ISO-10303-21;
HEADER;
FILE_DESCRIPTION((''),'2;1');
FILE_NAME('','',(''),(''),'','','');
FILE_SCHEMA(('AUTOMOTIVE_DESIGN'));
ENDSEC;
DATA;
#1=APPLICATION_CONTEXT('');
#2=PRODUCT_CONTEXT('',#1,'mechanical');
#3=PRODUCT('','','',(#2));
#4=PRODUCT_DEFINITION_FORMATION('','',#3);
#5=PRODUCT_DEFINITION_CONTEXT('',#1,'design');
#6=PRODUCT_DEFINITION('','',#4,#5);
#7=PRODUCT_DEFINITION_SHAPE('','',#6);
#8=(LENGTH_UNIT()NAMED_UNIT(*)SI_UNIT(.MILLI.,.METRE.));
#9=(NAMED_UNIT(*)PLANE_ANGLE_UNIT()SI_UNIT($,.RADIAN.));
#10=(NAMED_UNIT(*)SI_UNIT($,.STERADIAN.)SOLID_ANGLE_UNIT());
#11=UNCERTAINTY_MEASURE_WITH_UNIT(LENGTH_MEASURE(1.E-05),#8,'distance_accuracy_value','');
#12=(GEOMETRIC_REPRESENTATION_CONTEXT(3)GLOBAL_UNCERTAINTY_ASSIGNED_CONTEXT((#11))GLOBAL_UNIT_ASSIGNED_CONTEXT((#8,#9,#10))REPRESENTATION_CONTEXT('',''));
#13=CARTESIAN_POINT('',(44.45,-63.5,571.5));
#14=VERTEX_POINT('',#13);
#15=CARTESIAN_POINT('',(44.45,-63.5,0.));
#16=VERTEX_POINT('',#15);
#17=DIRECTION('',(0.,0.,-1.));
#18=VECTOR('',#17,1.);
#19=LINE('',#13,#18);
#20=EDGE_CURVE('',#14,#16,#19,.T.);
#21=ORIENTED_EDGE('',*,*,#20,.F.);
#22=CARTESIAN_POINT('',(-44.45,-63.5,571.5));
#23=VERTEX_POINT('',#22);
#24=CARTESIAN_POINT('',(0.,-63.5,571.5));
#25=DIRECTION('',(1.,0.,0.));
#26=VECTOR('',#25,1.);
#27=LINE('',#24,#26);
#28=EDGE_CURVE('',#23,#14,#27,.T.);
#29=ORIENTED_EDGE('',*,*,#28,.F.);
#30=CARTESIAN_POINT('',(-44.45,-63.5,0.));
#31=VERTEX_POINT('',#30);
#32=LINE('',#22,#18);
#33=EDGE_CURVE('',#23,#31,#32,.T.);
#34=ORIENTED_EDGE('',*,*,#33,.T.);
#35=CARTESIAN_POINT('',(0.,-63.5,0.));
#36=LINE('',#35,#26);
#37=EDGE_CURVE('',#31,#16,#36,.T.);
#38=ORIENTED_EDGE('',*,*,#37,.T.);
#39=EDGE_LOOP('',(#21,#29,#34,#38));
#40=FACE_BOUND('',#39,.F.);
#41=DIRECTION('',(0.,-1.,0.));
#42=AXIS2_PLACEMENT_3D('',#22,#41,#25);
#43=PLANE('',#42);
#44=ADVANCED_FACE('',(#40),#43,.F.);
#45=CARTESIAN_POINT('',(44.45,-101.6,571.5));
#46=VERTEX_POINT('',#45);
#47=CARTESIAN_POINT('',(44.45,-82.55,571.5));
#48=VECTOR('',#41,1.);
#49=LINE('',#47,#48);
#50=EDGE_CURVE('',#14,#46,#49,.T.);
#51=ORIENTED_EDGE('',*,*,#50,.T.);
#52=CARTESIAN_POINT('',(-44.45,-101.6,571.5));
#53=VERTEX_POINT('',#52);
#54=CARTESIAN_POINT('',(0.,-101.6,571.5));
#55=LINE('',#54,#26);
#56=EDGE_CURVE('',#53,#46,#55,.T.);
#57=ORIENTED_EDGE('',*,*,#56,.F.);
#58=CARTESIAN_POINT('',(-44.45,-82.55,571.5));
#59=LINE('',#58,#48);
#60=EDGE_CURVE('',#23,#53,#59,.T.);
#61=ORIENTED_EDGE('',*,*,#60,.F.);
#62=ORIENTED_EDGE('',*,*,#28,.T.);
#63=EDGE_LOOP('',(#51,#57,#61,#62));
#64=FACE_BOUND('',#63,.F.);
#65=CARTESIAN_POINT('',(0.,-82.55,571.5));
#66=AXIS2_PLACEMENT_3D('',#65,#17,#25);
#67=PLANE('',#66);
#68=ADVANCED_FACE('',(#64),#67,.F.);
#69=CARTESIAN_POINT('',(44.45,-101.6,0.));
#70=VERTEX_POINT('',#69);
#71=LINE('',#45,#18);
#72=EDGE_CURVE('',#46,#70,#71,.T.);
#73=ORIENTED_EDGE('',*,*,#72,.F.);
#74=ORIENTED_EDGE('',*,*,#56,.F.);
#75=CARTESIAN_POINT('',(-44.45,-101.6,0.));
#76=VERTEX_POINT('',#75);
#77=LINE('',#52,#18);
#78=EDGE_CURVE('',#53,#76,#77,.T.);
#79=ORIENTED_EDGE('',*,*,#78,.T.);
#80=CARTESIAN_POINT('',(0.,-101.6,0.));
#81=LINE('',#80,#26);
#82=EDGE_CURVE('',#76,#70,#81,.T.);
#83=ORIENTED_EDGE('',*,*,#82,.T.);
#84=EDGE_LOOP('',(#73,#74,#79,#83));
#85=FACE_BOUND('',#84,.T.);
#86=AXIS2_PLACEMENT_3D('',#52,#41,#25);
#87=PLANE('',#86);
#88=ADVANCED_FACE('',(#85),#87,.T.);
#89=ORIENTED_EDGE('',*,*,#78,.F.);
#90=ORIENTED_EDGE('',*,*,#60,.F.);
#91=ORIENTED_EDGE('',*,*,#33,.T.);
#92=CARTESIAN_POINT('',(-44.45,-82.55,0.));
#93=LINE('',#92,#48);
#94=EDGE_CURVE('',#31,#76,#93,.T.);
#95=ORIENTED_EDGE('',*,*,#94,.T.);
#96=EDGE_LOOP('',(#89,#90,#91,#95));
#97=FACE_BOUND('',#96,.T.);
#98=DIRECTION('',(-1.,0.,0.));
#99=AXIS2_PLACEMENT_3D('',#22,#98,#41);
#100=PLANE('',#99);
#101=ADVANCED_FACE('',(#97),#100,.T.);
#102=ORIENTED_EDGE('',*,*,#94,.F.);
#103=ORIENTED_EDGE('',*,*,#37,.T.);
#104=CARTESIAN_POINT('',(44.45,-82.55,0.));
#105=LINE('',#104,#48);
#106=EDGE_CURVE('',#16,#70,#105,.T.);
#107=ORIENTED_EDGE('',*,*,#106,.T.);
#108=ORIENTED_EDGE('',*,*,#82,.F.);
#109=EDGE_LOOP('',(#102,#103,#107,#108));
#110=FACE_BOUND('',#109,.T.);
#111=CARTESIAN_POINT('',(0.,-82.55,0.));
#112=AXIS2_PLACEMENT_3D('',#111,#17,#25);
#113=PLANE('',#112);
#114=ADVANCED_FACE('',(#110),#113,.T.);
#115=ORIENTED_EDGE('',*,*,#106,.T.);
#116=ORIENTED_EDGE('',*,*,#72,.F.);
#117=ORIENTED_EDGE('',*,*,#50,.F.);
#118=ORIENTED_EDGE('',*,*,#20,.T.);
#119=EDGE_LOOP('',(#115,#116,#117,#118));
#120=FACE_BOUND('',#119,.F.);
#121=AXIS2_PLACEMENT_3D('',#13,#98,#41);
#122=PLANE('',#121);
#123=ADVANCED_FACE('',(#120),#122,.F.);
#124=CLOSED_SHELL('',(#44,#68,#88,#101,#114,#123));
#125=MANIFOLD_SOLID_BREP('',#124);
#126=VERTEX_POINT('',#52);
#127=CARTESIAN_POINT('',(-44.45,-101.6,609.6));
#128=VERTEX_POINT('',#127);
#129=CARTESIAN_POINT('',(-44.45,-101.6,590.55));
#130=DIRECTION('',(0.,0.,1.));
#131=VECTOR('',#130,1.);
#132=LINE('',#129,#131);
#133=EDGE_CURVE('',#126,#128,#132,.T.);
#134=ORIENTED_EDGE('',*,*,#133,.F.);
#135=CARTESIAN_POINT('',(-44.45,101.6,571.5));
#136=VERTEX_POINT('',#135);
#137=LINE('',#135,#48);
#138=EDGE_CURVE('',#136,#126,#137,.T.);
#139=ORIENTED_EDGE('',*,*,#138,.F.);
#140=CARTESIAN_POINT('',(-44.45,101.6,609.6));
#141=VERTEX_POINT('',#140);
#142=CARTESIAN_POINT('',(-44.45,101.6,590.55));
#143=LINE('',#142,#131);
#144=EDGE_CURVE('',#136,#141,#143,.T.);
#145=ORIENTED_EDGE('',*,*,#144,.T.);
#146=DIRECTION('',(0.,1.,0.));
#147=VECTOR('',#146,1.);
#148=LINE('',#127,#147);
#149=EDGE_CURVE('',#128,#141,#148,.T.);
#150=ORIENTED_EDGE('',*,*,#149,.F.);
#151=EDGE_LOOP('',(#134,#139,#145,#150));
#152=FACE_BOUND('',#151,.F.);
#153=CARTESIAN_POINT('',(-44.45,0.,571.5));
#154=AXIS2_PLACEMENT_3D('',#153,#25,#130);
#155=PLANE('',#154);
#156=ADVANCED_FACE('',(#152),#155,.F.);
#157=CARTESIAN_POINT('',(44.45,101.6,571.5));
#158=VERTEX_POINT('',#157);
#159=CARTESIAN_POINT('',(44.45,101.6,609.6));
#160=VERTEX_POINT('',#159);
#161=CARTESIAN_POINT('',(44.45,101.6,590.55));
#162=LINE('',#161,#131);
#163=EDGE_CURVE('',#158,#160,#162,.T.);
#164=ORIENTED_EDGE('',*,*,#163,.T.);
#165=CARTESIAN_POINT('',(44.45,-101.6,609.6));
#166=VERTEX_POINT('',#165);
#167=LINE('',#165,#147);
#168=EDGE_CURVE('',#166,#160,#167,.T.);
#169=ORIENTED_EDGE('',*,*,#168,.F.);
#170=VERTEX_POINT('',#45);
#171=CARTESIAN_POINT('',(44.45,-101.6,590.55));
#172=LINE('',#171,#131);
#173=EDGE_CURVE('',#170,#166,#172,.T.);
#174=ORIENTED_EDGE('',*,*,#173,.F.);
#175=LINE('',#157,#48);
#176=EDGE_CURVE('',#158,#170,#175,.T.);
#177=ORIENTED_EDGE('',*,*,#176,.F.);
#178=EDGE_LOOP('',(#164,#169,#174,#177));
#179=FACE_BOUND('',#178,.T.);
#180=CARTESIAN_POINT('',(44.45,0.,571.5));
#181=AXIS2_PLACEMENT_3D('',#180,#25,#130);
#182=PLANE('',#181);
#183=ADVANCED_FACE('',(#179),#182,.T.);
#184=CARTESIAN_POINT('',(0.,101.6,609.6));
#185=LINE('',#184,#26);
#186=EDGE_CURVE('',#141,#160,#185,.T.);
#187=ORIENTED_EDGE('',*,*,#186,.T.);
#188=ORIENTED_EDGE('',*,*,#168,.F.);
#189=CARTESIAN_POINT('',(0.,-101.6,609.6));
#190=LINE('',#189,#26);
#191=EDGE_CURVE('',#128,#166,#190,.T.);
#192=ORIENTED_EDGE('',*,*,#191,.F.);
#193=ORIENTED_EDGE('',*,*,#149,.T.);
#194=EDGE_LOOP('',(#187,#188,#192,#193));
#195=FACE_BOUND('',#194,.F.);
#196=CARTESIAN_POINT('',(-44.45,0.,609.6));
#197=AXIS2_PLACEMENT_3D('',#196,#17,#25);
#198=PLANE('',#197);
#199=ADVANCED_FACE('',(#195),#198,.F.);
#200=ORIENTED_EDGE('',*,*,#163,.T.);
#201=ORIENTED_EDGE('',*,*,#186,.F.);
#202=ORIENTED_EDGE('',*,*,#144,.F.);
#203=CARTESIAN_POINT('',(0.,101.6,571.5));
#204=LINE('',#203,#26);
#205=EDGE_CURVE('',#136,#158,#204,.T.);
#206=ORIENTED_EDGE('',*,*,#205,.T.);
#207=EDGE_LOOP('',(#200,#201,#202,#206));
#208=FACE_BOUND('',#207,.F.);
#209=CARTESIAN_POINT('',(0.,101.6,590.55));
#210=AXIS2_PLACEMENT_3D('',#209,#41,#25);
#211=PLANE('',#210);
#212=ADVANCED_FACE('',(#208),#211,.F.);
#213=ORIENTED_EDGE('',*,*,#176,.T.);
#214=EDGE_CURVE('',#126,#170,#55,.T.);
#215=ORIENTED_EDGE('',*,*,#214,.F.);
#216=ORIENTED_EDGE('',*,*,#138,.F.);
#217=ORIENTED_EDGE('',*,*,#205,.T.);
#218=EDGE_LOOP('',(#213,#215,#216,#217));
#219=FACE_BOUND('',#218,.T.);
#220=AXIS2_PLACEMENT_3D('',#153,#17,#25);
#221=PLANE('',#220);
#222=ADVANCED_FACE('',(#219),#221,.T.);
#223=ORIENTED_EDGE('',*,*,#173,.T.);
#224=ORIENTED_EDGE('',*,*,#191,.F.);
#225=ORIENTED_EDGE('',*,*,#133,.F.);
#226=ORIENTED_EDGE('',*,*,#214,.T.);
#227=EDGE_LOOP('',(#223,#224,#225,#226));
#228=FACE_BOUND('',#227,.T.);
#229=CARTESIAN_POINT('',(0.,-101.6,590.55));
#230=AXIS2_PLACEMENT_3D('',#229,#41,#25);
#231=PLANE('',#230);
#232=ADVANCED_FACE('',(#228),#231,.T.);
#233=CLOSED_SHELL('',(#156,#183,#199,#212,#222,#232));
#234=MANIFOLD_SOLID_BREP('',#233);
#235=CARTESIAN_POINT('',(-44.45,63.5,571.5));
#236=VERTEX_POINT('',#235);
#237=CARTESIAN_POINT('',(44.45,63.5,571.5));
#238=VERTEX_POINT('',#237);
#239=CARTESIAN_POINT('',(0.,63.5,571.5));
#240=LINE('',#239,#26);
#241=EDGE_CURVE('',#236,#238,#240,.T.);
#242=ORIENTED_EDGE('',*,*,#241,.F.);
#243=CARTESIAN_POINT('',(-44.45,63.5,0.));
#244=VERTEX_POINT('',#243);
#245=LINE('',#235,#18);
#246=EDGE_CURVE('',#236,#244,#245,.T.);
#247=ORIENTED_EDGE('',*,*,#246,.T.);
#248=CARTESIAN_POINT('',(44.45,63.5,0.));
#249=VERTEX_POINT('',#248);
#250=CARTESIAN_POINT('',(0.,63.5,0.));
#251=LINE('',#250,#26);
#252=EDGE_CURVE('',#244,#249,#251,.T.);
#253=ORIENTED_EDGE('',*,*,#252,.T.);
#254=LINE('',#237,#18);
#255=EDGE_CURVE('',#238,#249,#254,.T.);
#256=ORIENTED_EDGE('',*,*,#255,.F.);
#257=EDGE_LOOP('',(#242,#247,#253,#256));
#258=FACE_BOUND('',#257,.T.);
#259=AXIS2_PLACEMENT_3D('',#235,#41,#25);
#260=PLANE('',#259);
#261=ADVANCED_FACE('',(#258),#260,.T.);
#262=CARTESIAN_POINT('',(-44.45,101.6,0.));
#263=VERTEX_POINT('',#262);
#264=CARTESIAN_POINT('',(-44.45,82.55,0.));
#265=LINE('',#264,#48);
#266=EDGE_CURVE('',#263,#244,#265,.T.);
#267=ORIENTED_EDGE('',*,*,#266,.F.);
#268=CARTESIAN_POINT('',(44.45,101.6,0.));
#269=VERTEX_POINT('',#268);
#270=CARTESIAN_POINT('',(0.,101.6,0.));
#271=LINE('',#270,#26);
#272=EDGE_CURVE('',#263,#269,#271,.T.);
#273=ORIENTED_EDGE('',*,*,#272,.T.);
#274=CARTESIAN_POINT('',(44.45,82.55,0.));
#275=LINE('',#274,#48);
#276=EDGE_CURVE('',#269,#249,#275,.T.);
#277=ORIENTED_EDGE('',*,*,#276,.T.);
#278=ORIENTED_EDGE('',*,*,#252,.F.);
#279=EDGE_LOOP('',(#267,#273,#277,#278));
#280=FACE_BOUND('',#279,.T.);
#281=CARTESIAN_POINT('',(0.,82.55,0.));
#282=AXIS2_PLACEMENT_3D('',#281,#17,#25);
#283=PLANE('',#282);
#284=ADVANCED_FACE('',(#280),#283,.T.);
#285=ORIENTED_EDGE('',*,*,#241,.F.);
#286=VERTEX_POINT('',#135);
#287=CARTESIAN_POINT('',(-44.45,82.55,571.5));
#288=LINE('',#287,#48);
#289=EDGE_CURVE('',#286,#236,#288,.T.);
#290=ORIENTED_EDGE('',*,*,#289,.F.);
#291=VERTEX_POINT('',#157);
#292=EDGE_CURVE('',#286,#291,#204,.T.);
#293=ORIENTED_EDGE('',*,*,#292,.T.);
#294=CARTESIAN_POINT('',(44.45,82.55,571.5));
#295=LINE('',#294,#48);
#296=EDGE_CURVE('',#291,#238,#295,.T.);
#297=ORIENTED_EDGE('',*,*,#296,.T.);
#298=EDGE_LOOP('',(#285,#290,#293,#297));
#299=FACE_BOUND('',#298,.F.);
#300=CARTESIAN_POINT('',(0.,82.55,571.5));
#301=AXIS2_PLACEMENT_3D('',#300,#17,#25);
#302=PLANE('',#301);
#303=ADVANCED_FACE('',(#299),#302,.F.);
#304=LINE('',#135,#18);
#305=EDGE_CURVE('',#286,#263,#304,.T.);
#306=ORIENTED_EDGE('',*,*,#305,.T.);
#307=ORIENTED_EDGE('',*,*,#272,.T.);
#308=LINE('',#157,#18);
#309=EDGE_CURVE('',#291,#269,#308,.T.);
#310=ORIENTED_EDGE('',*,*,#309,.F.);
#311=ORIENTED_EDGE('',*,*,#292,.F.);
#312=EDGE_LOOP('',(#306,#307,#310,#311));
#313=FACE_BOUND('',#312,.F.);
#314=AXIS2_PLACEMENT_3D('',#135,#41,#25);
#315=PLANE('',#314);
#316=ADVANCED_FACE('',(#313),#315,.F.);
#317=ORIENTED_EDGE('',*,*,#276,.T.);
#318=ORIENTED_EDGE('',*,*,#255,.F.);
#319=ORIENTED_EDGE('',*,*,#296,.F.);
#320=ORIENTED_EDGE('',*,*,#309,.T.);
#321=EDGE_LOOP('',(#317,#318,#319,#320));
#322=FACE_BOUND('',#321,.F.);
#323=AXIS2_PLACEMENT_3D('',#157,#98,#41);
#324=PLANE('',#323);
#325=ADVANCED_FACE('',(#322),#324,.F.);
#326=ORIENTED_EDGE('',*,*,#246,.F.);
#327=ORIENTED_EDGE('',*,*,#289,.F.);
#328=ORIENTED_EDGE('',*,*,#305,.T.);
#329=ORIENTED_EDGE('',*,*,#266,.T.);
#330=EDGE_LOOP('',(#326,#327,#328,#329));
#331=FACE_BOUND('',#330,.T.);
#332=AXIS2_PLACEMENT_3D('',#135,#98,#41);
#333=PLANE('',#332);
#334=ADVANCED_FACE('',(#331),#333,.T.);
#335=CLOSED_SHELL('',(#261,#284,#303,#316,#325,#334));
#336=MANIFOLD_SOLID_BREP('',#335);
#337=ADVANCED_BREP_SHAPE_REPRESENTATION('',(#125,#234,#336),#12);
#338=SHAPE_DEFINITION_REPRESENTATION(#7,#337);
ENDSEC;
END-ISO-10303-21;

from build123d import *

# Parameters (mm, degrees)
F0_W     = 88.9
F0_H     = 38.1
F1_DEPTH = 101.6
F2_W     = 88.9
F2_H     = 38.1
F3_DEPTH = 571.5


with BuildPart() as f1:
    # F0 (on Front) → F1 (new body, symmetric)
    with BuildSketch(Plane.XZ):
        with Locations((0, 590.55)):
            Rectangle(F0_W, F0_H)
    extrude(amount=F1_DEPTH, both=True)


with BuildPart() as f3:
    # F2 (on face) → F3 (new body, through all)
    with BuildSketch(Plane(origin=(0, 0, 571.5), x_dir=(1, 0, 0), z_dir=(0, 0, -1))):
        with Locations((0, -82.55)):
            Rectangle(F2_W, F2_H)
        with Locations((0, 82.55)):
            Rectangle(F2_W, F2_H)
    extrude(amount=F3_DEPTH)


solid = Compound([f1.part, f3.part])
